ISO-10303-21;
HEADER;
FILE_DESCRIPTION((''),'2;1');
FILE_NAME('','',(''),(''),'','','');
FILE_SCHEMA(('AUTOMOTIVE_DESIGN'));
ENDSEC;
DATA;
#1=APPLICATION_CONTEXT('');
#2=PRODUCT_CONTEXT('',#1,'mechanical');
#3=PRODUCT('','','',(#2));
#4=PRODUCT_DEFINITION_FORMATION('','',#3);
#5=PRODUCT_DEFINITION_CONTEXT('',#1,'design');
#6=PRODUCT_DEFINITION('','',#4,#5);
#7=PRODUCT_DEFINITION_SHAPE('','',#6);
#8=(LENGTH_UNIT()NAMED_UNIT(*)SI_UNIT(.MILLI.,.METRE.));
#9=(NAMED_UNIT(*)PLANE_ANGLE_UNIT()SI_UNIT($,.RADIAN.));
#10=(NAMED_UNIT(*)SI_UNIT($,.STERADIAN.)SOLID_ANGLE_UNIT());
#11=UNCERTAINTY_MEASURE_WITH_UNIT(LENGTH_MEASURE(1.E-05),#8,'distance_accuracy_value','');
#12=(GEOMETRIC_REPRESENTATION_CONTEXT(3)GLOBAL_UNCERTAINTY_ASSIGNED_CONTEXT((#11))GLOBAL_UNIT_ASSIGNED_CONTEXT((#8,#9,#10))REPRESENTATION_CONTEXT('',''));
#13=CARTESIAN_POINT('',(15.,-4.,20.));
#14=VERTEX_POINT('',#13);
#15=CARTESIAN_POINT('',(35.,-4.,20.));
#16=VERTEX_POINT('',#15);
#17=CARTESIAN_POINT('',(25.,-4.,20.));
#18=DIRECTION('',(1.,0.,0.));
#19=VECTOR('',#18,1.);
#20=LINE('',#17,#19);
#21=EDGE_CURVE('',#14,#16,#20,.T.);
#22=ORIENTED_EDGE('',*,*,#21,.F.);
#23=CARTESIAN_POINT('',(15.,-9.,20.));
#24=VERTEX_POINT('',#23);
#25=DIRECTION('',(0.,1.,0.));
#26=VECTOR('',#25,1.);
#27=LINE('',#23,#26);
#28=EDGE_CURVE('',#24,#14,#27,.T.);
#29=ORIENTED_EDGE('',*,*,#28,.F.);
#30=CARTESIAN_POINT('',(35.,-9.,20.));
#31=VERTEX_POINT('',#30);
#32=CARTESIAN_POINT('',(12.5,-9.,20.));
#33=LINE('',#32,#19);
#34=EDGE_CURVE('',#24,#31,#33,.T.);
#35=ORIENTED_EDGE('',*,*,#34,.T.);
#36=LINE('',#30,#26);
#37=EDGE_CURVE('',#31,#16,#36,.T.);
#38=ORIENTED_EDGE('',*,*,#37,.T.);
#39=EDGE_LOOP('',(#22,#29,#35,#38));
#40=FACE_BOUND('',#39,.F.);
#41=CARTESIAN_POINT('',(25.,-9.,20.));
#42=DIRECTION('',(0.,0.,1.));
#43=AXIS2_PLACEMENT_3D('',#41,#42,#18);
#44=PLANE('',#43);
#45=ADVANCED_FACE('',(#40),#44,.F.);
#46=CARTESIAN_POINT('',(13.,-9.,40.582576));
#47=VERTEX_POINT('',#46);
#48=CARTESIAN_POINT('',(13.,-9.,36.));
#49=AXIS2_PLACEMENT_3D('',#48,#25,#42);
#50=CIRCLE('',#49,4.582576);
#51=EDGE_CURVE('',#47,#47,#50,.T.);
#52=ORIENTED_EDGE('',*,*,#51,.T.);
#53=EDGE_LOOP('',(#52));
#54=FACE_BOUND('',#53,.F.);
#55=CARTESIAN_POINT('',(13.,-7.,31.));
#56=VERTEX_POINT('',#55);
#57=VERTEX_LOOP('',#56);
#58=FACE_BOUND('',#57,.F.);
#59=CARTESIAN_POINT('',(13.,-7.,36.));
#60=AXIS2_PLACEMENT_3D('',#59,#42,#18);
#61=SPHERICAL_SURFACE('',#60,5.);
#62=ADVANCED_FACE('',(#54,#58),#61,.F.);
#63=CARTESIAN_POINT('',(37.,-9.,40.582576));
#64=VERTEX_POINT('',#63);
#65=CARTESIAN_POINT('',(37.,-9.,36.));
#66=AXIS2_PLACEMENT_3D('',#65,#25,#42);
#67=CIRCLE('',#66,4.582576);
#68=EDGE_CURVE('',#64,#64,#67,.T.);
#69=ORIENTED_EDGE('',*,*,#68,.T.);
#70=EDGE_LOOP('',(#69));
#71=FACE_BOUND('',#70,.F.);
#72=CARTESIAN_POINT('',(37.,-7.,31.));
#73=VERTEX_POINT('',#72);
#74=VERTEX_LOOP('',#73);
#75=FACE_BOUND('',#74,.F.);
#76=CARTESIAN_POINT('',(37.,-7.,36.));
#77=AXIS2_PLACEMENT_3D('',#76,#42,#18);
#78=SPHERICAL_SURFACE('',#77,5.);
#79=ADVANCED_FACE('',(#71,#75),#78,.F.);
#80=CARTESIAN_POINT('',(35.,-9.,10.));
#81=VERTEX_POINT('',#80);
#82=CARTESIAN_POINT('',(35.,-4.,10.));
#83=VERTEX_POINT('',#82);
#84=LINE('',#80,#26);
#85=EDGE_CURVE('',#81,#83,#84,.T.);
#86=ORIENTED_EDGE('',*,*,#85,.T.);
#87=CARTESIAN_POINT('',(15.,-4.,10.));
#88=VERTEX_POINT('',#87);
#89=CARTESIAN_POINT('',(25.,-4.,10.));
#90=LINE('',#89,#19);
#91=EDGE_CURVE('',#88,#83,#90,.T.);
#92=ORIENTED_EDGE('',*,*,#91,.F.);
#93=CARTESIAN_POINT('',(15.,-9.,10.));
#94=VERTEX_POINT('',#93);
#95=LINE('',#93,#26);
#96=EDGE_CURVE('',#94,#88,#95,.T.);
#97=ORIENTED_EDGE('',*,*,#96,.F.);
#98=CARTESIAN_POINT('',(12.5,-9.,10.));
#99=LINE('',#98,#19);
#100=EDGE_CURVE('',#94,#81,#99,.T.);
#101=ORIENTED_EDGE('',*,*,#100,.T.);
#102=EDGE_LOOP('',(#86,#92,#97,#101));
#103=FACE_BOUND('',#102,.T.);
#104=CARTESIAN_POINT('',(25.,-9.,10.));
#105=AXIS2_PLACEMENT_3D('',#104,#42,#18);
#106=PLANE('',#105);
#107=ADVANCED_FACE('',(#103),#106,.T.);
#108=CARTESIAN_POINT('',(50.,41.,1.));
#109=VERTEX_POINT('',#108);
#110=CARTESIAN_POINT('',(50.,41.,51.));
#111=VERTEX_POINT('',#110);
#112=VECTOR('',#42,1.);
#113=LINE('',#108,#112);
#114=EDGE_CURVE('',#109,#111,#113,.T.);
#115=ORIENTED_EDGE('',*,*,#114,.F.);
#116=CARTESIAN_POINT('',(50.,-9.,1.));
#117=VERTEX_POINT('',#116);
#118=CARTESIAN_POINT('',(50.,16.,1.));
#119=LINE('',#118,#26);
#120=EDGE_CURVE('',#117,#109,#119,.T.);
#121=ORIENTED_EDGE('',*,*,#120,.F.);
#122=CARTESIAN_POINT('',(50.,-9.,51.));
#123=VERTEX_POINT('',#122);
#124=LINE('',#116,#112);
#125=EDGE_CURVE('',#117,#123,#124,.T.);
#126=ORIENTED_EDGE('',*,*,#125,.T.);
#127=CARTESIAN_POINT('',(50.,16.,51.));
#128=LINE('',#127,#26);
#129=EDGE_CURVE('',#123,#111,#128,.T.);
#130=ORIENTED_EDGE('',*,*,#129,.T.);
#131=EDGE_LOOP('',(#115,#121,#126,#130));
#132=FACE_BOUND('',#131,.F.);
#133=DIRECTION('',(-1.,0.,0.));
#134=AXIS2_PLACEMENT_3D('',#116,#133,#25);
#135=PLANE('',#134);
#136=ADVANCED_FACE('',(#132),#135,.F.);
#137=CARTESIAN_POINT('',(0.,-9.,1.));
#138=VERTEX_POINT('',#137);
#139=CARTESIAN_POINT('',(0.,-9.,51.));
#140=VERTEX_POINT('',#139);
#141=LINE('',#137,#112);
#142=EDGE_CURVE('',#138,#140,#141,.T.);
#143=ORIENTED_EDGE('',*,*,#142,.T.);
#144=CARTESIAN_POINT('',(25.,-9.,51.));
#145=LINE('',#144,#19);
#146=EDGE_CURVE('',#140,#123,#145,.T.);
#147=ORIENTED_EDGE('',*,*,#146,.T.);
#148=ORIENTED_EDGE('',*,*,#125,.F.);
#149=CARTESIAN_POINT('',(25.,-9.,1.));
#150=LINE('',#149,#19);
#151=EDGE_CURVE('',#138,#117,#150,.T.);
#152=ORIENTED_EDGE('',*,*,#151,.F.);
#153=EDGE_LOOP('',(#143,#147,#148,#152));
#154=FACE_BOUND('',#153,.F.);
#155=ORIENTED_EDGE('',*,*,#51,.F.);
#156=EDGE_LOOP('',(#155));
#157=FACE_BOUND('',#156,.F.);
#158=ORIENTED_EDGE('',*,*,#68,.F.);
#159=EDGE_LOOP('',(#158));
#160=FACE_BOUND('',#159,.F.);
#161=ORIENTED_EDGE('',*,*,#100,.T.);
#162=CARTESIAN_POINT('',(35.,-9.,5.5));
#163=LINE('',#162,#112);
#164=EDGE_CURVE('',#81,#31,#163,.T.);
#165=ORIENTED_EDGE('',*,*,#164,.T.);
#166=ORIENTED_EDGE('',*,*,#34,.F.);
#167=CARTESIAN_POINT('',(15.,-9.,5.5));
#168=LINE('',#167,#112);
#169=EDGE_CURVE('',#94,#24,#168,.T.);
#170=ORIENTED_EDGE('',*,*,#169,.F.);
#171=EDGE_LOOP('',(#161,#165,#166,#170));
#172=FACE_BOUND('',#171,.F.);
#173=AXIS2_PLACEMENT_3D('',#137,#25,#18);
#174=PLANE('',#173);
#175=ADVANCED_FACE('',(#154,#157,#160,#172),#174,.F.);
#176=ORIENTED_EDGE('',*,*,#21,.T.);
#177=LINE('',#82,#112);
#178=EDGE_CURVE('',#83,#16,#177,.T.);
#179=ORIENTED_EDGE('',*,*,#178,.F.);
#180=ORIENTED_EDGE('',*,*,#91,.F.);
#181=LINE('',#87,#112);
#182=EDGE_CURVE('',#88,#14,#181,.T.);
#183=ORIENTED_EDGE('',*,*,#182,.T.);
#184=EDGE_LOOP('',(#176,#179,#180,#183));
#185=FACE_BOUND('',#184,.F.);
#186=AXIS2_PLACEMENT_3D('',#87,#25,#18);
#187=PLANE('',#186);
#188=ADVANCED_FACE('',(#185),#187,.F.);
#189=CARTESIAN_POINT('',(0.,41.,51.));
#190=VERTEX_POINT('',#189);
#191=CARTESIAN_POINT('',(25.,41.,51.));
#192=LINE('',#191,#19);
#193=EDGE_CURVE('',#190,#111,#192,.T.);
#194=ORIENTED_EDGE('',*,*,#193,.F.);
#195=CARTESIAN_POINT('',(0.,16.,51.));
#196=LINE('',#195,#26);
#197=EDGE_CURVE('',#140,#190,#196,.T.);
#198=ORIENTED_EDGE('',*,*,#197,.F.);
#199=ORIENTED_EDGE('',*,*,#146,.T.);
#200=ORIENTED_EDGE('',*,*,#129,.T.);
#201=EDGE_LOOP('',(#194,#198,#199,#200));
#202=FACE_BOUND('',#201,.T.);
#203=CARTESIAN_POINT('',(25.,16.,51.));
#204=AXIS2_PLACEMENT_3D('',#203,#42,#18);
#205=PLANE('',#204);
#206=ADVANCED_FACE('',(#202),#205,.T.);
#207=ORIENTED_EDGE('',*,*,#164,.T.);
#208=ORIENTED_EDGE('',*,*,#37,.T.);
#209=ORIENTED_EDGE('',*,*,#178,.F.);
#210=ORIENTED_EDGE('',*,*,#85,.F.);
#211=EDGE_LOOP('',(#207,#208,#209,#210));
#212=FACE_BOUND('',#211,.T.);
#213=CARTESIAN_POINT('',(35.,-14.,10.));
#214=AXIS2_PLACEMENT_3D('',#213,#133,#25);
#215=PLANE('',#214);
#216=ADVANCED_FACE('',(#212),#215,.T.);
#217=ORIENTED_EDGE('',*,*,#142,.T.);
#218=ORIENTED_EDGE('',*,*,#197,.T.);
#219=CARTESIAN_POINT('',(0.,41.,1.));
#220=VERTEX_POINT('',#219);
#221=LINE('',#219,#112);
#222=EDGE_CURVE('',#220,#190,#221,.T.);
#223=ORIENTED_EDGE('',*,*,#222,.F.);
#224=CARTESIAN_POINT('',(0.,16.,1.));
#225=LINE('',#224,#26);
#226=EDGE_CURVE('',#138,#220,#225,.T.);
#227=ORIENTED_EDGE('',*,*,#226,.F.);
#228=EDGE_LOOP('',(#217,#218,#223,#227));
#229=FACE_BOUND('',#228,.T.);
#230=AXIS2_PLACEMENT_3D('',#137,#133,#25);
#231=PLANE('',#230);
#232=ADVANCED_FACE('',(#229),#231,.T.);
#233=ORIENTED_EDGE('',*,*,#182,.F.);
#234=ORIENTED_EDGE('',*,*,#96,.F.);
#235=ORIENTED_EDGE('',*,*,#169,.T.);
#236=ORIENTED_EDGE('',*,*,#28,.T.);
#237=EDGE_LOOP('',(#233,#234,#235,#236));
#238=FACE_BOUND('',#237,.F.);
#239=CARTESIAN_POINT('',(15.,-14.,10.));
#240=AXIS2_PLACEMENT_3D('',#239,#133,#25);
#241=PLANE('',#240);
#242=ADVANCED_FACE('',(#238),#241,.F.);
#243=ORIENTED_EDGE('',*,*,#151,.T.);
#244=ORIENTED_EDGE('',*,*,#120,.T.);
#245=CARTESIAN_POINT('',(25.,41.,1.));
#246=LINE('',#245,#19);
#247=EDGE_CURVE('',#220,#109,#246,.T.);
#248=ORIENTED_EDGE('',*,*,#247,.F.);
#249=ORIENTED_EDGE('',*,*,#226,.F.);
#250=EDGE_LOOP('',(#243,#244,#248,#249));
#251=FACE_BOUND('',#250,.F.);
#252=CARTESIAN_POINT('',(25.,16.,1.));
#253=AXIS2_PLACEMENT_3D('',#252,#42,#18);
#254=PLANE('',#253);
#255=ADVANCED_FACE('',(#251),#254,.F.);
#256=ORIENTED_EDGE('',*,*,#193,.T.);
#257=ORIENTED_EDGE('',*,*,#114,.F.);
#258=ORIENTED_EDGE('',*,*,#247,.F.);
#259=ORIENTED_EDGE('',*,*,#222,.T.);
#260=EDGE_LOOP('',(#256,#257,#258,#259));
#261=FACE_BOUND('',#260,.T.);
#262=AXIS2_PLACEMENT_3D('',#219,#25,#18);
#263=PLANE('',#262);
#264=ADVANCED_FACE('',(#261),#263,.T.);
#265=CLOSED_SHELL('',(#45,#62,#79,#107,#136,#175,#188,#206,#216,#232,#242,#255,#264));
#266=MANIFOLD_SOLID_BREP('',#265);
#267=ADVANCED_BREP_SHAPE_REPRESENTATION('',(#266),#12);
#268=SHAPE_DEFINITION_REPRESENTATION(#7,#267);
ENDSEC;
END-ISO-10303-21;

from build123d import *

# Parameters (mm, degrees)
BOX072_W     = 20
BOX072_H     = 10
BOX072_DEPTH = 10
BOX071_W     = 50
BOX071_H     = 50
BOX071_DEPTH = 50


with BuildPart() as cubo001:
    # Box072 → Box072 (new body)
    with BuildSketch(Plane(origin=(15, -5, 9), x_dir=(1, 0, 0), z_dir=(0, 0, 1))):
        with Locations((10, 5)):
            Rectangle(BOX072_W, BOX072_H)
    extrude(amount=BOX072_DEPTH)


with BuildPart() as esfera001:
    # Sphere001 → Sphere001 (revolve)
    with BuildSketch(Plane(origin=(37, 2, 35), x_dir=(1, 0, 0), z_dir=(0, -1, 0))):
        with BuildLine():
            ThreePointArc((0, -5), (5, 0), (0, 5))
            Line((0, 5), (0, -5))
        make_face()
    revolve(axis=Axis((37, 2, 35), (0, 0, 1)))


with BuildPart() as esfera:
    # Sphere → Sphere (revolve)
    with BuildSketch(Plane(origin=(13, 2, 35), x_dir=(1, 0, 0), z_dir=(0, -1, 0))):
        with BuildLine():
            ThreePointArc((0, -5), (5, 0), (0, 5))
            Line((0, 5), (0, -5))
        make_face()
    revolve(axis=Axis((13, 2, 35), (0, 0, 1)))


with BuildPart() as cut117:
    # Box071 → Box071 (new body)
    with BuildSketch(Plane.XY):
        with Locations((25, 25)):
            Rectangle(BOX071_W, BOX071_H)
    extrude(amount=BOX071_DEPTH)

    # Cut115: cut Esfera
    add(esfera.part, mode=Mode.SUBTRACT)

    # Cut116: cut Esfera001
    add(esfera001.part, mode=Mode.SUBTRACT)

    # Cut117: cut Cubo001
    add(cubo001.part, mode=Mode.SUBTRACT)


with BuildPart() as cut117_1:
    # Cut117 placement: moved
    add(cut117.part.moved(Location((0, -9, 1))))


solid = cut117_1.part
